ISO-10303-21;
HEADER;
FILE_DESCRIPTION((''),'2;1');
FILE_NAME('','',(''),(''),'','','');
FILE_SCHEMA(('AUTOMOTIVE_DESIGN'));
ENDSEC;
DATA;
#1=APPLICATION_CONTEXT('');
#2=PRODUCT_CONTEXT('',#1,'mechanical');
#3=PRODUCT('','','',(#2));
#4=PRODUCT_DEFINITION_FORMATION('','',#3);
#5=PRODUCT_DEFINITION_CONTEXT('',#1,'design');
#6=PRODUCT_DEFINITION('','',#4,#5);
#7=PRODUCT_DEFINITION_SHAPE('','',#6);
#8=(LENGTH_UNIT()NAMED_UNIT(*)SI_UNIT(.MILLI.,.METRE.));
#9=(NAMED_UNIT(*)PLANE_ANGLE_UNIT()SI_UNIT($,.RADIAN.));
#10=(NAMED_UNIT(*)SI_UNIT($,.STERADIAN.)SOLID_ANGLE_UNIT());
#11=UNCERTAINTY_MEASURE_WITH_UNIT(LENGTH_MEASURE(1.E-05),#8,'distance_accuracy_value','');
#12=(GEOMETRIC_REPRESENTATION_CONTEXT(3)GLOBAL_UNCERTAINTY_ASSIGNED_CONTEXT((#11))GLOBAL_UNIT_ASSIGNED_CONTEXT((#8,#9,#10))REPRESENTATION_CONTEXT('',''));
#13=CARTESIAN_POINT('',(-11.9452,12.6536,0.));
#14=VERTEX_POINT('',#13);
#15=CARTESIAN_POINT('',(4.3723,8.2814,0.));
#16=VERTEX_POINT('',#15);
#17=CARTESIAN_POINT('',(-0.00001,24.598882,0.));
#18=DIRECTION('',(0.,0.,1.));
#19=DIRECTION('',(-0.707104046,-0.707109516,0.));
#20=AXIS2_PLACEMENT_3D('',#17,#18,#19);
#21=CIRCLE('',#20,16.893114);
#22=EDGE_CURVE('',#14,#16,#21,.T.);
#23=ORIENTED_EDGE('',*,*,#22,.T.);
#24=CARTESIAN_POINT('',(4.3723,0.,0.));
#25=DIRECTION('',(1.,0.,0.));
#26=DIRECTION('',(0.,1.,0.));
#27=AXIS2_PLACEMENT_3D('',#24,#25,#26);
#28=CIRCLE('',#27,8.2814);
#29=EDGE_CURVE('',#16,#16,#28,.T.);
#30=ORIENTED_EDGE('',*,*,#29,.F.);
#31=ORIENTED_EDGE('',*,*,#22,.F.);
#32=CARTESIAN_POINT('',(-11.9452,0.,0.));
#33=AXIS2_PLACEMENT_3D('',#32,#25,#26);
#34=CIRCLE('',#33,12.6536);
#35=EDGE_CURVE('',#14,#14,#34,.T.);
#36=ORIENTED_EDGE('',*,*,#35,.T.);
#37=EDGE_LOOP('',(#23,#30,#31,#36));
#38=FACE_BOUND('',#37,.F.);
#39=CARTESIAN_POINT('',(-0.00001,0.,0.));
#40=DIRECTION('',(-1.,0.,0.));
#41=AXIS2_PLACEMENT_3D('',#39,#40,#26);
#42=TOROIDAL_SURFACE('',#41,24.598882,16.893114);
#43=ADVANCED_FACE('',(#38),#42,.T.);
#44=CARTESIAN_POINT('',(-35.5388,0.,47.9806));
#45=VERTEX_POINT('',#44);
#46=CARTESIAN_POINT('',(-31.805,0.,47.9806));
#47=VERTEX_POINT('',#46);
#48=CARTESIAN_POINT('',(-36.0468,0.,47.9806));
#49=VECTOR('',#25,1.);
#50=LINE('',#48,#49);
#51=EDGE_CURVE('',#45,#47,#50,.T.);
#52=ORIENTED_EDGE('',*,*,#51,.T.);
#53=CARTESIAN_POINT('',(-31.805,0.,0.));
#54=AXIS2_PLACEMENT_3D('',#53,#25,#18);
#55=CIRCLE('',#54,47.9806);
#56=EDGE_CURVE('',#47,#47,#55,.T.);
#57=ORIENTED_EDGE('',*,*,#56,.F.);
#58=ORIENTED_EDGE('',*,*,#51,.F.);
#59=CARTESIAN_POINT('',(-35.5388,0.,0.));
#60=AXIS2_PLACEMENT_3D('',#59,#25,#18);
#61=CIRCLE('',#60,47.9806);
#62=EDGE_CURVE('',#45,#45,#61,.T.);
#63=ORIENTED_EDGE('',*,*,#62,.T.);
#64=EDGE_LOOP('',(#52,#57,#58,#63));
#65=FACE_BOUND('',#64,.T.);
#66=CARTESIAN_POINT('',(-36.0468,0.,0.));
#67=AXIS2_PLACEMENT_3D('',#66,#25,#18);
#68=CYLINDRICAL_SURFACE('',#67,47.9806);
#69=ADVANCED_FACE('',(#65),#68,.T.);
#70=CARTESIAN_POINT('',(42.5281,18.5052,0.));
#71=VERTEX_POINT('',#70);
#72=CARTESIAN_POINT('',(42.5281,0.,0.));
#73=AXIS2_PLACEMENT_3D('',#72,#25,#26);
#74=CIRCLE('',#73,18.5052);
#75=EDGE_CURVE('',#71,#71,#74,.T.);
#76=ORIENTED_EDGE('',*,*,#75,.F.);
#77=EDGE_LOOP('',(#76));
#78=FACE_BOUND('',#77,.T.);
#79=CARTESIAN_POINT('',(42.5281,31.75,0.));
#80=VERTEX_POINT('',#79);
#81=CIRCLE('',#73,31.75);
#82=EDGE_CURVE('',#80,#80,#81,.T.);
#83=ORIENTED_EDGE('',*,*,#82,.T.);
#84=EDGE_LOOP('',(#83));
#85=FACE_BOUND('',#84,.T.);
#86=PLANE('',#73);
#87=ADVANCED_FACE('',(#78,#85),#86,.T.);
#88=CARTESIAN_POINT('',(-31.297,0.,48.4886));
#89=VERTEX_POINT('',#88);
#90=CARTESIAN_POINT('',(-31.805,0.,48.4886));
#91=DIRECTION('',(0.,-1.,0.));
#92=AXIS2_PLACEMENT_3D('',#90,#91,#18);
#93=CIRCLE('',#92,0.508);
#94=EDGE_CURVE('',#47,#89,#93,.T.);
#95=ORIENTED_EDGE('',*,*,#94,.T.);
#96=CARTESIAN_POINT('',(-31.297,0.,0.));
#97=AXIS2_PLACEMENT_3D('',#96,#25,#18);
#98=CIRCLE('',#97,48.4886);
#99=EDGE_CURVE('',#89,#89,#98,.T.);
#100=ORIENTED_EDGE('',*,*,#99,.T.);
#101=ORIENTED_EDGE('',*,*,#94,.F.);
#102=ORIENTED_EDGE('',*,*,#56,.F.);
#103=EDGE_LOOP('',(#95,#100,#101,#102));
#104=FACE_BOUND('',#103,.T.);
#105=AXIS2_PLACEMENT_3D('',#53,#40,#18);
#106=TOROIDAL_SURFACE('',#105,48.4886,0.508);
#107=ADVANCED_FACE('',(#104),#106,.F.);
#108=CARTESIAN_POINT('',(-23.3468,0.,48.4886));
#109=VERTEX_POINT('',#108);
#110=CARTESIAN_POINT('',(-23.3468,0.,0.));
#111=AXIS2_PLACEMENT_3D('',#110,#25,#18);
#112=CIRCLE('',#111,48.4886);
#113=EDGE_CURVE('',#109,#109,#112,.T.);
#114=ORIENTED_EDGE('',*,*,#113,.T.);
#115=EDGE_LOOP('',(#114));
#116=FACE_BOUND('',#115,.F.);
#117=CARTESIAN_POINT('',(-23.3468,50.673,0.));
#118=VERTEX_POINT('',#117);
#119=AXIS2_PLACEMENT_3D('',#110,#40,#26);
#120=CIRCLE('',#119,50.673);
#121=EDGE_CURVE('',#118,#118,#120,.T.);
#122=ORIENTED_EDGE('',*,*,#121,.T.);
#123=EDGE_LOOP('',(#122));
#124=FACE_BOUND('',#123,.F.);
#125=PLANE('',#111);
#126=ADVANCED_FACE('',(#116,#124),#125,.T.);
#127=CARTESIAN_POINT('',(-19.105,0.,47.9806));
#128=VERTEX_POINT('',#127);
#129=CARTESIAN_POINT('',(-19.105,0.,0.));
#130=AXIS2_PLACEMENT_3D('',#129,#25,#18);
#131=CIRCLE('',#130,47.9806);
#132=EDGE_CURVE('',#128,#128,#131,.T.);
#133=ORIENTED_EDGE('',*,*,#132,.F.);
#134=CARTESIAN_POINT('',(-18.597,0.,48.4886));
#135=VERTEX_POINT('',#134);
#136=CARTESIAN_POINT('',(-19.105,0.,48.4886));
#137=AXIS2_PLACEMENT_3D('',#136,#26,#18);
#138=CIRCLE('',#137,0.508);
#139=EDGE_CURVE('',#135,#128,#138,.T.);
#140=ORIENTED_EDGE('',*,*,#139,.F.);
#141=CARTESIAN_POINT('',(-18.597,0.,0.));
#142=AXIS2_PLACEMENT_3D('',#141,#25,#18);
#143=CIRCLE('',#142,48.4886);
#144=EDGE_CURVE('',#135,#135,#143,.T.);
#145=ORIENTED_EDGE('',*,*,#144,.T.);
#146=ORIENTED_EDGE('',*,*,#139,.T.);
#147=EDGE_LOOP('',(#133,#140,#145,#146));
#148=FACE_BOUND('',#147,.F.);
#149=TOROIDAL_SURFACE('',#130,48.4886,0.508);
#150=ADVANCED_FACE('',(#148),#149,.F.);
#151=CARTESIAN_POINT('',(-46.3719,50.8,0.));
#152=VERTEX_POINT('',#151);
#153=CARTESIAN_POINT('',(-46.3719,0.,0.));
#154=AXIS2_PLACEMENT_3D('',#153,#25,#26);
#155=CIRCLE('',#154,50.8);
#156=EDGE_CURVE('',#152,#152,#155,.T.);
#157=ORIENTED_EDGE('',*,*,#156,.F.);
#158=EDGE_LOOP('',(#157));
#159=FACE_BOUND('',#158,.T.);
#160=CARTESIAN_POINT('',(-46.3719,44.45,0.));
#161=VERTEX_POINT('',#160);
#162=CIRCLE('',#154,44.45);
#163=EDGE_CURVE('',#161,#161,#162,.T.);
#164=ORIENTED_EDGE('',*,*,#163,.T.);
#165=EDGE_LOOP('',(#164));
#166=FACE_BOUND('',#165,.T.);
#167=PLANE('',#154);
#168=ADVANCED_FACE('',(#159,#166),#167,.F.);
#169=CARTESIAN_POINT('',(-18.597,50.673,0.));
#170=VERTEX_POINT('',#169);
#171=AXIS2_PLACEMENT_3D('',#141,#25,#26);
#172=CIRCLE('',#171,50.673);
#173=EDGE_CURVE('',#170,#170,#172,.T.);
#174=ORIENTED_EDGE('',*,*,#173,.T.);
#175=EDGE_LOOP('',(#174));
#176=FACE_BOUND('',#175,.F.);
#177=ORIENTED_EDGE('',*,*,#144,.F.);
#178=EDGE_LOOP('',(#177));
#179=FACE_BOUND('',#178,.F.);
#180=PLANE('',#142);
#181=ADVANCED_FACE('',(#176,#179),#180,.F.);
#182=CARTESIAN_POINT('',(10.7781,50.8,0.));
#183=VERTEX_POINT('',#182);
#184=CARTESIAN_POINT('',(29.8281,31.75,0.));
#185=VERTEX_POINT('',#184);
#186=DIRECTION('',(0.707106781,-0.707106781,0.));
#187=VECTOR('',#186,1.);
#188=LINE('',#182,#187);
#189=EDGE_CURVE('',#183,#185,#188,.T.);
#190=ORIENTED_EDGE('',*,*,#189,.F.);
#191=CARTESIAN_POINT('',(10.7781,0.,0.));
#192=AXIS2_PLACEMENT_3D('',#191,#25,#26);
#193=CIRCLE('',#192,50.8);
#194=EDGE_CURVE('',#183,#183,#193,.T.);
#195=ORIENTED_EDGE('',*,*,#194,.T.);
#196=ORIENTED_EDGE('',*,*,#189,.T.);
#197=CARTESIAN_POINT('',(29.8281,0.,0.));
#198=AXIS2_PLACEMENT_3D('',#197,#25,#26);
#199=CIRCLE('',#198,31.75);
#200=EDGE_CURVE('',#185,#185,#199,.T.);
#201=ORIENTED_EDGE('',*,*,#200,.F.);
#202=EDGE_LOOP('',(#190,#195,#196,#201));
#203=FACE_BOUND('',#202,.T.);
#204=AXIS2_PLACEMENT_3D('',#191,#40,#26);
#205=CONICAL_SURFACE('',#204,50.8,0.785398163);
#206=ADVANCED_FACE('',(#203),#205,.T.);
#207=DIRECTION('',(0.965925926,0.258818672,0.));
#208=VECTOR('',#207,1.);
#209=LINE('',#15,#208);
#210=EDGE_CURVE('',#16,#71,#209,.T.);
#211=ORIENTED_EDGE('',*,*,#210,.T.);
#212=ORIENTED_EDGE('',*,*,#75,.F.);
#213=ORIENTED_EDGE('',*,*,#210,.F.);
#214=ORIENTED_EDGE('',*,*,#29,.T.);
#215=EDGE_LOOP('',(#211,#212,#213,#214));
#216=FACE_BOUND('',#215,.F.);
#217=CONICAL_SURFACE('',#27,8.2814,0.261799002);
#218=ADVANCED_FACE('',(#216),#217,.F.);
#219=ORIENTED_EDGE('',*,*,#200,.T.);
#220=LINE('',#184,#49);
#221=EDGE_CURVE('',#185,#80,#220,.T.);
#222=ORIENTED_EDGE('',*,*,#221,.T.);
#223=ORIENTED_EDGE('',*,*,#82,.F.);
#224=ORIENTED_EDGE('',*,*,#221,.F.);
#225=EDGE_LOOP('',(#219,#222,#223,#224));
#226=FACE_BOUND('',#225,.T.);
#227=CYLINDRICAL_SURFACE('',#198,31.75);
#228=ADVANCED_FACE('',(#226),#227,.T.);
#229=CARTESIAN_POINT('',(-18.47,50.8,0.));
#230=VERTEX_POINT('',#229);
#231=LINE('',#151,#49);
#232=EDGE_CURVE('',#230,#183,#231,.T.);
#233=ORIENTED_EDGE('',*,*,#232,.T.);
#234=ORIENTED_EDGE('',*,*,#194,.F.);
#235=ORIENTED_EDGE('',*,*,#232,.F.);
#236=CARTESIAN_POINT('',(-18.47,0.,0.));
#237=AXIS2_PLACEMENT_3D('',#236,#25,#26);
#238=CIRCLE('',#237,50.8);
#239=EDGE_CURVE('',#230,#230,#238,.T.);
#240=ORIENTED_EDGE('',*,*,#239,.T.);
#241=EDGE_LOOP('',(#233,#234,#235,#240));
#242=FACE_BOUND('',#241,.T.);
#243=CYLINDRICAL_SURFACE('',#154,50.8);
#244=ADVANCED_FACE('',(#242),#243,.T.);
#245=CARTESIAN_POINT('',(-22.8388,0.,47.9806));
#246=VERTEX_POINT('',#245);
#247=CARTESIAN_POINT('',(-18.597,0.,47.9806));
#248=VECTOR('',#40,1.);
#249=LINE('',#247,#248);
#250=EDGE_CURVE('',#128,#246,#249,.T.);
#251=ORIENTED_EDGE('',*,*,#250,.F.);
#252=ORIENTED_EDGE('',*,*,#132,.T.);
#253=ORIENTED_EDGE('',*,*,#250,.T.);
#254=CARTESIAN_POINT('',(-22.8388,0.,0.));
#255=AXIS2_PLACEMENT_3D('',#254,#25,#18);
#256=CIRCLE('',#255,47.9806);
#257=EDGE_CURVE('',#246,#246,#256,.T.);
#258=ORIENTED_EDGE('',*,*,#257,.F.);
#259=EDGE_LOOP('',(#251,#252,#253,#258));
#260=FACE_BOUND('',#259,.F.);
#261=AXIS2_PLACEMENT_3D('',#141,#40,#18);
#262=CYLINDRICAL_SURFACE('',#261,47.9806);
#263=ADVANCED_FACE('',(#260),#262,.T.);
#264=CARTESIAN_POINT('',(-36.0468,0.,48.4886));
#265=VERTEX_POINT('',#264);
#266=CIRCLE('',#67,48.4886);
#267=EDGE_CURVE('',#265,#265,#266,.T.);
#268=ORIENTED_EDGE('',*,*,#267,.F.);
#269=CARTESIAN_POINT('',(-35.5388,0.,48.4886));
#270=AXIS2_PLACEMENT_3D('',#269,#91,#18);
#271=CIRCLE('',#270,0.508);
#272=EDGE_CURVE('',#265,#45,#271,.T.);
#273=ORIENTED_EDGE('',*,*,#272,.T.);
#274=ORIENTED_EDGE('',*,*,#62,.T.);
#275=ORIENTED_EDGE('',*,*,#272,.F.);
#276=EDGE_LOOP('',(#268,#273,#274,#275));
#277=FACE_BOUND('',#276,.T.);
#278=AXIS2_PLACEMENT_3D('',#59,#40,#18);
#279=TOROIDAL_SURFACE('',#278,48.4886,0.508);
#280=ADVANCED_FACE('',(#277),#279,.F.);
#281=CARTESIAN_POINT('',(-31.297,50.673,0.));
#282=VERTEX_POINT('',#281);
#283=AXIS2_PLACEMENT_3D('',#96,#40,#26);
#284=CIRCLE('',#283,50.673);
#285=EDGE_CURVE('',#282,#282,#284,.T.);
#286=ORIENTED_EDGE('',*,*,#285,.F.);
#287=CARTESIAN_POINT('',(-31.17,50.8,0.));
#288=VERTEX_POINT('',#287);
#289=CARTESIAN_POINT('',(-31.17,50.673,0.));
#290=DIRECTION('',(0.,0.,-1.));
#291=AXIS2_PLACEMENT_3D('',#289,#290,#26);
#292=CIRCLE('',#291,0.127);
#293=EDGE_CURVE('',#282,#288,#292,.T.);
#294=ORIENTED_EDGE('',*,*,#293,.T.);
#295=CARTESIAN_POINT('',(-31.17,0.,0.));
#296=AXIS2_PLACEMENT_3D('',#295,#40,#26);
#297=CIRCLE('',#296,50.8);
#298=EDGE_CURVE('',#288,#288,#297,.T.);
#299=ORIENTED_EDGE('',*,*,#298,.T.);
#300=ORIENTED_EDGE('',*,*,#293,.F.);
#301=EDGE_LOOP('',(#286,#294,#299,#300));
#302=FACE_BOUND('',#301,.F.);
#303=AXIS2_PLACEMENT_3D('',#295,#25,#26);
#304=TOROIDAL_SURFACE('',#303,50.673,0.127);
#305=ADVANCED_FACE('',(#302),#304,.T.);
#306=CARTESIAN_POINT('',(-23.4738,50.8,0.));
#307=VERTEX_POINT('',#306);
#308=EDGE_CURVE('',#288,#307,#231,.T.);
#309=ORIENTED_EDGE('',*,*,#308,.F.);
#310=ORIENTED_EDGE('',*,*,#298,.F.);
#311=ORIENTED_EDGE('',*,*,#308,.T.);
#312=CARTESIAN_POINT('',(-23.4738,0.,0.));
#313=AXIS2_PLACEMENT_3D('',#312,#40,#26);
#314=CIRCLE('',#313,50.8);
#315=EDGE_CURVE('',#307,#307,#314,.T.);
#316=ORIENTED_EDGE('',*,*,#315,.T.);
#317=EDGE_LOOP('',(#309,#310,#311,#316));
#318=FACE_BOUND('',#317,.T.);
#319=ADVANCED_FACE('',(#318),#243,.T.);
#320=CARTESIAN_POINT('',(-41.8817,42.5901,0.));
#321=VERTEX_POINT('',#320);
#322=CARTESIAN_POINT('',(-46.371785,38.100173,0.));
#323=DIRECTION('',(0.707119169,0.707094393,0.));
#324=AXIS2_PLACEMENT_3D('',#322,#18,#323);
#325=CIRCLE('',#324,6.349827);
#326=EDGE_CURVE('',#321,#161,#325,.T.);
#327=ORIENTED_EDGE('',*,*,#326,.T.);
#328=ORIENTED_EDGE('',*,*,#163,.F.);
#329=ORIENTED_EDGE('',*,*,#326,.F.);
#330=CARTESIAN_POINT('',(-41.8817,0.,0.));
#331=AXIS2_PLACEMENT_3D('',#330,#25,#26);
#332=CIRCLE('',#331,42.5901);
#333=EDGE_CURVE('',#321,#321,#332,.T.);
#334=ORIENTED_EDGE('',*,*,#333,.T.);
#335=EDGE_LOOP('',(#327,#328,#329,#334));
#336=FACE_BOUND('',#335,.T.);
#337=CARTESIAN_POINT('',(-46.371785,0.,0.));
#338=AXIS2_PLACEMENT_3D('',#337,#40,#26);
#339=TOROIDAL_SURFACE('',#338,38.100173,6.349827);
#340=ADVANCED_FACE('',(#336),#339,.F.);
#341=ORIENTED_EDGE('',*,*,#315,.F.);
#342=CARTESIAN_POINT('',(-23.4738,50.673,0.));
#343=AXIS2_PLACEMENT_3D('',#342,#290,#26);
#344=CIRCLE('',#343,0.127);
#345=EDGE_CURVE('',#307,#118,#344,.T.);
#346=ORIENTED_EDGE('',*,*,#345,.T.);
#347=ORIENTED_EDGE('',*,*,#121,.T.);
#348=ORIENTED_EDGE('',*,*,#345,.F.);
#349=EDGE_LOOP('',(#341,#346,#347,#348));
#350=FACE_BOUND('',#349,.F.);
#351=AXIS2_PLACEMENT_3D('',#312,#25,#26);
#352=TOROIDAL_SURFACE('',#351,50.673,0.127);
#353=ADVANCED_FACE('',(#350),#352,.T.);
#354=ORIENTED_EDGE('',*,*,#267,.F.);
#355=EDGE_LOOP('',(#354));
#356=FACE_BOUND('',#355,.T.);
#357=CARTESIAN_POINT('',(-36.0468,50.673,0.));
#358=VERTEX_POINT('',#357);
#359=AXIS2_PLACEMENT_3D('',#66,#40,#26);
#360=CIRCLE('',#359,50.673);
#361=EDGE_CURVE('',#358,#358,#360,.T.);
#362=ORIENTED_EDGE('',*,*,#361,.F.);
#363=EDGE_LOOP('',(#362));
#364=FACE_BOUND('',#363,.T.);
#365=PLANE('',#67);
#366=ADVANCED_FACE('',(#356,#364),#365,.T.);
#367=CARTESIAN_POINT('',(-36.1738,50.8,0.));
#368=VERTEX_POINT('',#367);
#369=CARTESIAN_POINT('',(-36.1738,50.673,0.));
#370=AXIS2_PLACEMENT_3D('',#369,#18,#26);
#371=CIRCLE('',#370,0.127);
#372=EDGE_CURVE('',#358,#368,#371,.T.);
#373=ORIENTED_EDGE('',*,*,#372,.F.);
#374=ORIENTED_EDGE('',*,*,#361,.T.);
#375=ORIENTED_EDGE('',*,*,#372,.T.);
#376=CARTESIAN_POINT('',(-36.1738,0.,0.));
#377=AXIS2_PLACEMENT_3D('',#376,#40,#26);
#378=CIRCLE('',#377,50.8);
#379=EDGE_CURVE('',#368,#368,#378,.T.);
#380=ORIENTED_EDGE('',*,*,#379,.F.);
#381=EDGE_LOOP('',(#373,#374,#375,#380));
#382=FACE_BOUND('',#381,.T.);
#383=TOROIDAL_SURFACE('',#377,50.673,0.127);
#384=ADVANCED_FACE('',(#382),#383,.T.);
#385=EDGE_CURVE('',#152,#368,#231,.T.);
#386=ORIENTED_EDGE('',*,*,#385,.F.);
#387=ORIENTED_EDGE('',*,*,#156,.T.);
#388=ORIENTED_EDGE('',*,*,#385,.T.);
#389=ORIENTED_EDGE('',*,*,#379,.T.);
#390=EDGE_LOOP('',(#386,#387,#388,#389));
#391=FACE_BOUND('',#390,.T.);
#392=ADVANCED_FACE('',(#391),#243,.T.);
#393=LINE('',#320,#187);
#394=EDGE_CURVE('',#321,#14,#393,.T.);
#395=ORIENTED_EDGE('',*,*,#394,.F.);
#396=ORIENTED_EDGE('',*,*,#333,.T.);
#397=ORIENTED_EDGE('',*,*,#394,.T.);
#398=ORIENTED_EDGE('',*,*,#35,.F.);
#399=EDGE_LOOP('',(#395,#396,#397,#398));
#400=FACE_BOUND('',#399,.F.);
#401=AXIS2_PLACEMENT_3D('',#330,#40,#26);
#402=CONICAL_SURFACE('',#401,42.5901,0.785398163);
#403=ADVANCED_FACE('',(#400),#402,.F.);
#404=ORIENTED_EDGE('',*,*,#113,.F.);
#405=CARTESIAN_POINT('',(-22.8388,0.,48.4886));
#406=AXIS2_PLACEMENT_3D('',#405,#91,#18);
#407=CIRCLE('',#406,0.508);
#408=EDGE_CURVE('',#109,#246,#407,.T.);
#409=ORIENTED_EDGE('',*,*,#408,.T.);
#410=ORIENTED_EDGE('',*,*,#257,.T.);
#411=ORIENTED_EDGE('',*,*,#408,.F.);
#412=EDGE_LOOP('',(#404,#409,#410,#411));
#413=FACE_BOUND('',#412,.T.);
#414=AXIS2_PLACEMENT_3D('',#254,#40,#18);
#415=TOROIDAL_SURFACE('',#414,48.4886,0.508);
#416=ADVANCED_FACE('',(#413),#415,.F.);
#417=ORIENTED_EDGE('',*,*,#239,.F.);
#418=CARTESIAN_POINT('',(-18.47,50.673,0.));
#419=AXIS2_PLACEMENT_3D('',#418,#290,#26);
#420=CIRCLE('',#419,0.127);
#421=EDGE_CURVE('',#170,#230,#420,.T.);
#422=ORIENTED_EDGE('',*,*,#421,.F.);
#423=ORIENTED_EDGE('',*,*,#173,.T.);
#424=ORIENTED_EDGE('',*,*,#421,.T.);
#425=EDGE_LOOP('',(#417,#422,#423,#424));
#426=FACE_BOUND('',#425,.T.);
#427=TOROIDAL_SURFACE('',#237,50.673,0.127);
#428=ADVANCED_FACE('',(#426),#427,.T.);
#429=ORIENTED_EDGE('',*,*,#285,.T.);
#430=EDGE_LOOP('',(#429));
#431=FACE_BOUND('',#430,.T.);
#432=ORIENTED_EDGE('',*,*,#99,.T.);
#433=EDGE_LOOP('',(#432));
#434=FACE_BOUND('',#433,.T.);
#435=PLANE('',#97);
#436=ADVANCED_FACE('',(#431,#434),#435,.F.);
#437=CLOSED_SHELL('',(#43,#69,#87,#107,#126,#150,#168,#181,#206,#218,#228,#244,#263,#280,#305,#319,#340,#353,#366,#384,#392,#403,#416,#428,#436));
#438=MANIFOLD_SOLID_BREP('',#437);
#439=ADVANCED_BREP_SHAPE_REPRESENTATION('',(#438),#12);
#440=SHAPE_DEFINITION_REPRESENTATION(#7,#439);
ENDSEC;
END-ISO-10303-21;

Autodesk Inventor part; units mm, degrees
ref_plane "YZ Plane" through (0, 0, 0) normal (1, 0, 0) x (0, 1, 0)
ref_plane "XZ Plane" through (0, 0, 0) normal (0, 1, 0) x (-1, 0, 0)
ref_plane "XY Plane" through (0, 0, 0) normal (0, 0, 1) x (1, 0, 0)
sketch "Sketch1" plane through (0, 0, 0) normal (0, 0, 1) x (1, 0, 0)
  line L0 (-41.8817, 42.5901) -> (-11.9452, 12.6536)
  line L1 (4.3723, 8.2814) -> (42.5281, 18.5052)
  arc A0 (-11.9452, 12.6536) -> (4.3723, 8.2814) centre (0, 24.5989) ccw
  arc A1 (-41.8817, 42.5901) -> (-46.3719, 44.45) centre (-46.3719, 38.1) ccw
  line L2 (-46.3719, 44.45) -> (-46.3719, 50.8)
  line L3 (-46.3719, 50.8) -> (10.7781, 50.8)
  line L4 (10.7781, 50.8) -> (29.8281, 31.75)
  line L5 (29.8281, 31.75) -> (42.5281, 31.75)
  line L6 (42.5281, 31.75) -> (42.5281, 18.5052)
  line L7 (-25.31, 7.7058) -> (19.1892, 7.7058) construction
  line L8 (-64.1519, 0) -> (60.3081, 0) projected
  point P0 (0, 0)
  dimension "d0" = 57.15
  dimension "d1" = 6.35
  dimension "d2" = 44.45
  dimension "d3" = 50.8
  dimension "d4" = 15
  dimension "d5" = 7.7058
  dimension "d6" = 18.5052
  dimension "d8" = 135
  dimension "d9" = 19.05
  dimension "d13" = 31.75
  dimension "d28" = 45
revolve "Revolution1" add sketch "Sketch1" angle 360 about axis through (-10, 0, 0) along (1, 0, 0)
sketch "Sketch3" plane through (0, 0, 0) normal (0, 1, 0) x (-1, 0, 0)
  line L0 (31.297, 50.8) -> (36.0468, 50.8)
  line L1 (36.0468, 50.8) -> (36.0468, 47.9806)
  line L2 (36.0468, 47.9806) -> (31.297, 47.9806)
  line L3 (31.297, 47.9806) -> (31.297, 50.8)
  line L4 (23.3468, 50.8) -> (18.597, 50.8)
  line L5 (18.597, 50.8) -> (18.597, 47.9806)
  line L6 (18.597, 47.9806) -> (23.3468, 47.9806)
  line L7 (23.3468, 47.9806) -> (23.3468, 50.8)
  line L8 (33.6719, 50.8) -> (33.6719, 80.4082) construction
  line L9 (20.9719, 50.8) -> (20.9719, 80.4082) construction
  line L10 (46.3719, 50.8) -> (46.3719, -50.8) projected
  line L11 (54.4041, 0) -> (-9.0674, 0) projected
  point P0 (0, 0)
  dimension "d20" = 12.7
  dimension "d21" = 12.7
  dimension "d22" = 2.8194
  dimension "d23" = 4.7498
  dimension "d24" = 4.7498
revolve "Revolution3" cut sketch "Sketch3" angle 360 about axis through (-10, 0, 0) along (1, 0, 0)
fillet "Fillet1" radius 0.508 4 edges at (-18.597, 0, -47.9806) (-31.297, 0, -47.9806) (-23.3468, 0, -47.9806) (-36.0468, 0, -47.9806)
fillet "Fillet2" radius 0.127 4 edges at (-36.0468, -50.8, 0) (-31.297, -50.8, 0) (-23.3468, -50.8, 0) (-18.597, -50.8, 0)
properties part number "ODSY-0003-103"
